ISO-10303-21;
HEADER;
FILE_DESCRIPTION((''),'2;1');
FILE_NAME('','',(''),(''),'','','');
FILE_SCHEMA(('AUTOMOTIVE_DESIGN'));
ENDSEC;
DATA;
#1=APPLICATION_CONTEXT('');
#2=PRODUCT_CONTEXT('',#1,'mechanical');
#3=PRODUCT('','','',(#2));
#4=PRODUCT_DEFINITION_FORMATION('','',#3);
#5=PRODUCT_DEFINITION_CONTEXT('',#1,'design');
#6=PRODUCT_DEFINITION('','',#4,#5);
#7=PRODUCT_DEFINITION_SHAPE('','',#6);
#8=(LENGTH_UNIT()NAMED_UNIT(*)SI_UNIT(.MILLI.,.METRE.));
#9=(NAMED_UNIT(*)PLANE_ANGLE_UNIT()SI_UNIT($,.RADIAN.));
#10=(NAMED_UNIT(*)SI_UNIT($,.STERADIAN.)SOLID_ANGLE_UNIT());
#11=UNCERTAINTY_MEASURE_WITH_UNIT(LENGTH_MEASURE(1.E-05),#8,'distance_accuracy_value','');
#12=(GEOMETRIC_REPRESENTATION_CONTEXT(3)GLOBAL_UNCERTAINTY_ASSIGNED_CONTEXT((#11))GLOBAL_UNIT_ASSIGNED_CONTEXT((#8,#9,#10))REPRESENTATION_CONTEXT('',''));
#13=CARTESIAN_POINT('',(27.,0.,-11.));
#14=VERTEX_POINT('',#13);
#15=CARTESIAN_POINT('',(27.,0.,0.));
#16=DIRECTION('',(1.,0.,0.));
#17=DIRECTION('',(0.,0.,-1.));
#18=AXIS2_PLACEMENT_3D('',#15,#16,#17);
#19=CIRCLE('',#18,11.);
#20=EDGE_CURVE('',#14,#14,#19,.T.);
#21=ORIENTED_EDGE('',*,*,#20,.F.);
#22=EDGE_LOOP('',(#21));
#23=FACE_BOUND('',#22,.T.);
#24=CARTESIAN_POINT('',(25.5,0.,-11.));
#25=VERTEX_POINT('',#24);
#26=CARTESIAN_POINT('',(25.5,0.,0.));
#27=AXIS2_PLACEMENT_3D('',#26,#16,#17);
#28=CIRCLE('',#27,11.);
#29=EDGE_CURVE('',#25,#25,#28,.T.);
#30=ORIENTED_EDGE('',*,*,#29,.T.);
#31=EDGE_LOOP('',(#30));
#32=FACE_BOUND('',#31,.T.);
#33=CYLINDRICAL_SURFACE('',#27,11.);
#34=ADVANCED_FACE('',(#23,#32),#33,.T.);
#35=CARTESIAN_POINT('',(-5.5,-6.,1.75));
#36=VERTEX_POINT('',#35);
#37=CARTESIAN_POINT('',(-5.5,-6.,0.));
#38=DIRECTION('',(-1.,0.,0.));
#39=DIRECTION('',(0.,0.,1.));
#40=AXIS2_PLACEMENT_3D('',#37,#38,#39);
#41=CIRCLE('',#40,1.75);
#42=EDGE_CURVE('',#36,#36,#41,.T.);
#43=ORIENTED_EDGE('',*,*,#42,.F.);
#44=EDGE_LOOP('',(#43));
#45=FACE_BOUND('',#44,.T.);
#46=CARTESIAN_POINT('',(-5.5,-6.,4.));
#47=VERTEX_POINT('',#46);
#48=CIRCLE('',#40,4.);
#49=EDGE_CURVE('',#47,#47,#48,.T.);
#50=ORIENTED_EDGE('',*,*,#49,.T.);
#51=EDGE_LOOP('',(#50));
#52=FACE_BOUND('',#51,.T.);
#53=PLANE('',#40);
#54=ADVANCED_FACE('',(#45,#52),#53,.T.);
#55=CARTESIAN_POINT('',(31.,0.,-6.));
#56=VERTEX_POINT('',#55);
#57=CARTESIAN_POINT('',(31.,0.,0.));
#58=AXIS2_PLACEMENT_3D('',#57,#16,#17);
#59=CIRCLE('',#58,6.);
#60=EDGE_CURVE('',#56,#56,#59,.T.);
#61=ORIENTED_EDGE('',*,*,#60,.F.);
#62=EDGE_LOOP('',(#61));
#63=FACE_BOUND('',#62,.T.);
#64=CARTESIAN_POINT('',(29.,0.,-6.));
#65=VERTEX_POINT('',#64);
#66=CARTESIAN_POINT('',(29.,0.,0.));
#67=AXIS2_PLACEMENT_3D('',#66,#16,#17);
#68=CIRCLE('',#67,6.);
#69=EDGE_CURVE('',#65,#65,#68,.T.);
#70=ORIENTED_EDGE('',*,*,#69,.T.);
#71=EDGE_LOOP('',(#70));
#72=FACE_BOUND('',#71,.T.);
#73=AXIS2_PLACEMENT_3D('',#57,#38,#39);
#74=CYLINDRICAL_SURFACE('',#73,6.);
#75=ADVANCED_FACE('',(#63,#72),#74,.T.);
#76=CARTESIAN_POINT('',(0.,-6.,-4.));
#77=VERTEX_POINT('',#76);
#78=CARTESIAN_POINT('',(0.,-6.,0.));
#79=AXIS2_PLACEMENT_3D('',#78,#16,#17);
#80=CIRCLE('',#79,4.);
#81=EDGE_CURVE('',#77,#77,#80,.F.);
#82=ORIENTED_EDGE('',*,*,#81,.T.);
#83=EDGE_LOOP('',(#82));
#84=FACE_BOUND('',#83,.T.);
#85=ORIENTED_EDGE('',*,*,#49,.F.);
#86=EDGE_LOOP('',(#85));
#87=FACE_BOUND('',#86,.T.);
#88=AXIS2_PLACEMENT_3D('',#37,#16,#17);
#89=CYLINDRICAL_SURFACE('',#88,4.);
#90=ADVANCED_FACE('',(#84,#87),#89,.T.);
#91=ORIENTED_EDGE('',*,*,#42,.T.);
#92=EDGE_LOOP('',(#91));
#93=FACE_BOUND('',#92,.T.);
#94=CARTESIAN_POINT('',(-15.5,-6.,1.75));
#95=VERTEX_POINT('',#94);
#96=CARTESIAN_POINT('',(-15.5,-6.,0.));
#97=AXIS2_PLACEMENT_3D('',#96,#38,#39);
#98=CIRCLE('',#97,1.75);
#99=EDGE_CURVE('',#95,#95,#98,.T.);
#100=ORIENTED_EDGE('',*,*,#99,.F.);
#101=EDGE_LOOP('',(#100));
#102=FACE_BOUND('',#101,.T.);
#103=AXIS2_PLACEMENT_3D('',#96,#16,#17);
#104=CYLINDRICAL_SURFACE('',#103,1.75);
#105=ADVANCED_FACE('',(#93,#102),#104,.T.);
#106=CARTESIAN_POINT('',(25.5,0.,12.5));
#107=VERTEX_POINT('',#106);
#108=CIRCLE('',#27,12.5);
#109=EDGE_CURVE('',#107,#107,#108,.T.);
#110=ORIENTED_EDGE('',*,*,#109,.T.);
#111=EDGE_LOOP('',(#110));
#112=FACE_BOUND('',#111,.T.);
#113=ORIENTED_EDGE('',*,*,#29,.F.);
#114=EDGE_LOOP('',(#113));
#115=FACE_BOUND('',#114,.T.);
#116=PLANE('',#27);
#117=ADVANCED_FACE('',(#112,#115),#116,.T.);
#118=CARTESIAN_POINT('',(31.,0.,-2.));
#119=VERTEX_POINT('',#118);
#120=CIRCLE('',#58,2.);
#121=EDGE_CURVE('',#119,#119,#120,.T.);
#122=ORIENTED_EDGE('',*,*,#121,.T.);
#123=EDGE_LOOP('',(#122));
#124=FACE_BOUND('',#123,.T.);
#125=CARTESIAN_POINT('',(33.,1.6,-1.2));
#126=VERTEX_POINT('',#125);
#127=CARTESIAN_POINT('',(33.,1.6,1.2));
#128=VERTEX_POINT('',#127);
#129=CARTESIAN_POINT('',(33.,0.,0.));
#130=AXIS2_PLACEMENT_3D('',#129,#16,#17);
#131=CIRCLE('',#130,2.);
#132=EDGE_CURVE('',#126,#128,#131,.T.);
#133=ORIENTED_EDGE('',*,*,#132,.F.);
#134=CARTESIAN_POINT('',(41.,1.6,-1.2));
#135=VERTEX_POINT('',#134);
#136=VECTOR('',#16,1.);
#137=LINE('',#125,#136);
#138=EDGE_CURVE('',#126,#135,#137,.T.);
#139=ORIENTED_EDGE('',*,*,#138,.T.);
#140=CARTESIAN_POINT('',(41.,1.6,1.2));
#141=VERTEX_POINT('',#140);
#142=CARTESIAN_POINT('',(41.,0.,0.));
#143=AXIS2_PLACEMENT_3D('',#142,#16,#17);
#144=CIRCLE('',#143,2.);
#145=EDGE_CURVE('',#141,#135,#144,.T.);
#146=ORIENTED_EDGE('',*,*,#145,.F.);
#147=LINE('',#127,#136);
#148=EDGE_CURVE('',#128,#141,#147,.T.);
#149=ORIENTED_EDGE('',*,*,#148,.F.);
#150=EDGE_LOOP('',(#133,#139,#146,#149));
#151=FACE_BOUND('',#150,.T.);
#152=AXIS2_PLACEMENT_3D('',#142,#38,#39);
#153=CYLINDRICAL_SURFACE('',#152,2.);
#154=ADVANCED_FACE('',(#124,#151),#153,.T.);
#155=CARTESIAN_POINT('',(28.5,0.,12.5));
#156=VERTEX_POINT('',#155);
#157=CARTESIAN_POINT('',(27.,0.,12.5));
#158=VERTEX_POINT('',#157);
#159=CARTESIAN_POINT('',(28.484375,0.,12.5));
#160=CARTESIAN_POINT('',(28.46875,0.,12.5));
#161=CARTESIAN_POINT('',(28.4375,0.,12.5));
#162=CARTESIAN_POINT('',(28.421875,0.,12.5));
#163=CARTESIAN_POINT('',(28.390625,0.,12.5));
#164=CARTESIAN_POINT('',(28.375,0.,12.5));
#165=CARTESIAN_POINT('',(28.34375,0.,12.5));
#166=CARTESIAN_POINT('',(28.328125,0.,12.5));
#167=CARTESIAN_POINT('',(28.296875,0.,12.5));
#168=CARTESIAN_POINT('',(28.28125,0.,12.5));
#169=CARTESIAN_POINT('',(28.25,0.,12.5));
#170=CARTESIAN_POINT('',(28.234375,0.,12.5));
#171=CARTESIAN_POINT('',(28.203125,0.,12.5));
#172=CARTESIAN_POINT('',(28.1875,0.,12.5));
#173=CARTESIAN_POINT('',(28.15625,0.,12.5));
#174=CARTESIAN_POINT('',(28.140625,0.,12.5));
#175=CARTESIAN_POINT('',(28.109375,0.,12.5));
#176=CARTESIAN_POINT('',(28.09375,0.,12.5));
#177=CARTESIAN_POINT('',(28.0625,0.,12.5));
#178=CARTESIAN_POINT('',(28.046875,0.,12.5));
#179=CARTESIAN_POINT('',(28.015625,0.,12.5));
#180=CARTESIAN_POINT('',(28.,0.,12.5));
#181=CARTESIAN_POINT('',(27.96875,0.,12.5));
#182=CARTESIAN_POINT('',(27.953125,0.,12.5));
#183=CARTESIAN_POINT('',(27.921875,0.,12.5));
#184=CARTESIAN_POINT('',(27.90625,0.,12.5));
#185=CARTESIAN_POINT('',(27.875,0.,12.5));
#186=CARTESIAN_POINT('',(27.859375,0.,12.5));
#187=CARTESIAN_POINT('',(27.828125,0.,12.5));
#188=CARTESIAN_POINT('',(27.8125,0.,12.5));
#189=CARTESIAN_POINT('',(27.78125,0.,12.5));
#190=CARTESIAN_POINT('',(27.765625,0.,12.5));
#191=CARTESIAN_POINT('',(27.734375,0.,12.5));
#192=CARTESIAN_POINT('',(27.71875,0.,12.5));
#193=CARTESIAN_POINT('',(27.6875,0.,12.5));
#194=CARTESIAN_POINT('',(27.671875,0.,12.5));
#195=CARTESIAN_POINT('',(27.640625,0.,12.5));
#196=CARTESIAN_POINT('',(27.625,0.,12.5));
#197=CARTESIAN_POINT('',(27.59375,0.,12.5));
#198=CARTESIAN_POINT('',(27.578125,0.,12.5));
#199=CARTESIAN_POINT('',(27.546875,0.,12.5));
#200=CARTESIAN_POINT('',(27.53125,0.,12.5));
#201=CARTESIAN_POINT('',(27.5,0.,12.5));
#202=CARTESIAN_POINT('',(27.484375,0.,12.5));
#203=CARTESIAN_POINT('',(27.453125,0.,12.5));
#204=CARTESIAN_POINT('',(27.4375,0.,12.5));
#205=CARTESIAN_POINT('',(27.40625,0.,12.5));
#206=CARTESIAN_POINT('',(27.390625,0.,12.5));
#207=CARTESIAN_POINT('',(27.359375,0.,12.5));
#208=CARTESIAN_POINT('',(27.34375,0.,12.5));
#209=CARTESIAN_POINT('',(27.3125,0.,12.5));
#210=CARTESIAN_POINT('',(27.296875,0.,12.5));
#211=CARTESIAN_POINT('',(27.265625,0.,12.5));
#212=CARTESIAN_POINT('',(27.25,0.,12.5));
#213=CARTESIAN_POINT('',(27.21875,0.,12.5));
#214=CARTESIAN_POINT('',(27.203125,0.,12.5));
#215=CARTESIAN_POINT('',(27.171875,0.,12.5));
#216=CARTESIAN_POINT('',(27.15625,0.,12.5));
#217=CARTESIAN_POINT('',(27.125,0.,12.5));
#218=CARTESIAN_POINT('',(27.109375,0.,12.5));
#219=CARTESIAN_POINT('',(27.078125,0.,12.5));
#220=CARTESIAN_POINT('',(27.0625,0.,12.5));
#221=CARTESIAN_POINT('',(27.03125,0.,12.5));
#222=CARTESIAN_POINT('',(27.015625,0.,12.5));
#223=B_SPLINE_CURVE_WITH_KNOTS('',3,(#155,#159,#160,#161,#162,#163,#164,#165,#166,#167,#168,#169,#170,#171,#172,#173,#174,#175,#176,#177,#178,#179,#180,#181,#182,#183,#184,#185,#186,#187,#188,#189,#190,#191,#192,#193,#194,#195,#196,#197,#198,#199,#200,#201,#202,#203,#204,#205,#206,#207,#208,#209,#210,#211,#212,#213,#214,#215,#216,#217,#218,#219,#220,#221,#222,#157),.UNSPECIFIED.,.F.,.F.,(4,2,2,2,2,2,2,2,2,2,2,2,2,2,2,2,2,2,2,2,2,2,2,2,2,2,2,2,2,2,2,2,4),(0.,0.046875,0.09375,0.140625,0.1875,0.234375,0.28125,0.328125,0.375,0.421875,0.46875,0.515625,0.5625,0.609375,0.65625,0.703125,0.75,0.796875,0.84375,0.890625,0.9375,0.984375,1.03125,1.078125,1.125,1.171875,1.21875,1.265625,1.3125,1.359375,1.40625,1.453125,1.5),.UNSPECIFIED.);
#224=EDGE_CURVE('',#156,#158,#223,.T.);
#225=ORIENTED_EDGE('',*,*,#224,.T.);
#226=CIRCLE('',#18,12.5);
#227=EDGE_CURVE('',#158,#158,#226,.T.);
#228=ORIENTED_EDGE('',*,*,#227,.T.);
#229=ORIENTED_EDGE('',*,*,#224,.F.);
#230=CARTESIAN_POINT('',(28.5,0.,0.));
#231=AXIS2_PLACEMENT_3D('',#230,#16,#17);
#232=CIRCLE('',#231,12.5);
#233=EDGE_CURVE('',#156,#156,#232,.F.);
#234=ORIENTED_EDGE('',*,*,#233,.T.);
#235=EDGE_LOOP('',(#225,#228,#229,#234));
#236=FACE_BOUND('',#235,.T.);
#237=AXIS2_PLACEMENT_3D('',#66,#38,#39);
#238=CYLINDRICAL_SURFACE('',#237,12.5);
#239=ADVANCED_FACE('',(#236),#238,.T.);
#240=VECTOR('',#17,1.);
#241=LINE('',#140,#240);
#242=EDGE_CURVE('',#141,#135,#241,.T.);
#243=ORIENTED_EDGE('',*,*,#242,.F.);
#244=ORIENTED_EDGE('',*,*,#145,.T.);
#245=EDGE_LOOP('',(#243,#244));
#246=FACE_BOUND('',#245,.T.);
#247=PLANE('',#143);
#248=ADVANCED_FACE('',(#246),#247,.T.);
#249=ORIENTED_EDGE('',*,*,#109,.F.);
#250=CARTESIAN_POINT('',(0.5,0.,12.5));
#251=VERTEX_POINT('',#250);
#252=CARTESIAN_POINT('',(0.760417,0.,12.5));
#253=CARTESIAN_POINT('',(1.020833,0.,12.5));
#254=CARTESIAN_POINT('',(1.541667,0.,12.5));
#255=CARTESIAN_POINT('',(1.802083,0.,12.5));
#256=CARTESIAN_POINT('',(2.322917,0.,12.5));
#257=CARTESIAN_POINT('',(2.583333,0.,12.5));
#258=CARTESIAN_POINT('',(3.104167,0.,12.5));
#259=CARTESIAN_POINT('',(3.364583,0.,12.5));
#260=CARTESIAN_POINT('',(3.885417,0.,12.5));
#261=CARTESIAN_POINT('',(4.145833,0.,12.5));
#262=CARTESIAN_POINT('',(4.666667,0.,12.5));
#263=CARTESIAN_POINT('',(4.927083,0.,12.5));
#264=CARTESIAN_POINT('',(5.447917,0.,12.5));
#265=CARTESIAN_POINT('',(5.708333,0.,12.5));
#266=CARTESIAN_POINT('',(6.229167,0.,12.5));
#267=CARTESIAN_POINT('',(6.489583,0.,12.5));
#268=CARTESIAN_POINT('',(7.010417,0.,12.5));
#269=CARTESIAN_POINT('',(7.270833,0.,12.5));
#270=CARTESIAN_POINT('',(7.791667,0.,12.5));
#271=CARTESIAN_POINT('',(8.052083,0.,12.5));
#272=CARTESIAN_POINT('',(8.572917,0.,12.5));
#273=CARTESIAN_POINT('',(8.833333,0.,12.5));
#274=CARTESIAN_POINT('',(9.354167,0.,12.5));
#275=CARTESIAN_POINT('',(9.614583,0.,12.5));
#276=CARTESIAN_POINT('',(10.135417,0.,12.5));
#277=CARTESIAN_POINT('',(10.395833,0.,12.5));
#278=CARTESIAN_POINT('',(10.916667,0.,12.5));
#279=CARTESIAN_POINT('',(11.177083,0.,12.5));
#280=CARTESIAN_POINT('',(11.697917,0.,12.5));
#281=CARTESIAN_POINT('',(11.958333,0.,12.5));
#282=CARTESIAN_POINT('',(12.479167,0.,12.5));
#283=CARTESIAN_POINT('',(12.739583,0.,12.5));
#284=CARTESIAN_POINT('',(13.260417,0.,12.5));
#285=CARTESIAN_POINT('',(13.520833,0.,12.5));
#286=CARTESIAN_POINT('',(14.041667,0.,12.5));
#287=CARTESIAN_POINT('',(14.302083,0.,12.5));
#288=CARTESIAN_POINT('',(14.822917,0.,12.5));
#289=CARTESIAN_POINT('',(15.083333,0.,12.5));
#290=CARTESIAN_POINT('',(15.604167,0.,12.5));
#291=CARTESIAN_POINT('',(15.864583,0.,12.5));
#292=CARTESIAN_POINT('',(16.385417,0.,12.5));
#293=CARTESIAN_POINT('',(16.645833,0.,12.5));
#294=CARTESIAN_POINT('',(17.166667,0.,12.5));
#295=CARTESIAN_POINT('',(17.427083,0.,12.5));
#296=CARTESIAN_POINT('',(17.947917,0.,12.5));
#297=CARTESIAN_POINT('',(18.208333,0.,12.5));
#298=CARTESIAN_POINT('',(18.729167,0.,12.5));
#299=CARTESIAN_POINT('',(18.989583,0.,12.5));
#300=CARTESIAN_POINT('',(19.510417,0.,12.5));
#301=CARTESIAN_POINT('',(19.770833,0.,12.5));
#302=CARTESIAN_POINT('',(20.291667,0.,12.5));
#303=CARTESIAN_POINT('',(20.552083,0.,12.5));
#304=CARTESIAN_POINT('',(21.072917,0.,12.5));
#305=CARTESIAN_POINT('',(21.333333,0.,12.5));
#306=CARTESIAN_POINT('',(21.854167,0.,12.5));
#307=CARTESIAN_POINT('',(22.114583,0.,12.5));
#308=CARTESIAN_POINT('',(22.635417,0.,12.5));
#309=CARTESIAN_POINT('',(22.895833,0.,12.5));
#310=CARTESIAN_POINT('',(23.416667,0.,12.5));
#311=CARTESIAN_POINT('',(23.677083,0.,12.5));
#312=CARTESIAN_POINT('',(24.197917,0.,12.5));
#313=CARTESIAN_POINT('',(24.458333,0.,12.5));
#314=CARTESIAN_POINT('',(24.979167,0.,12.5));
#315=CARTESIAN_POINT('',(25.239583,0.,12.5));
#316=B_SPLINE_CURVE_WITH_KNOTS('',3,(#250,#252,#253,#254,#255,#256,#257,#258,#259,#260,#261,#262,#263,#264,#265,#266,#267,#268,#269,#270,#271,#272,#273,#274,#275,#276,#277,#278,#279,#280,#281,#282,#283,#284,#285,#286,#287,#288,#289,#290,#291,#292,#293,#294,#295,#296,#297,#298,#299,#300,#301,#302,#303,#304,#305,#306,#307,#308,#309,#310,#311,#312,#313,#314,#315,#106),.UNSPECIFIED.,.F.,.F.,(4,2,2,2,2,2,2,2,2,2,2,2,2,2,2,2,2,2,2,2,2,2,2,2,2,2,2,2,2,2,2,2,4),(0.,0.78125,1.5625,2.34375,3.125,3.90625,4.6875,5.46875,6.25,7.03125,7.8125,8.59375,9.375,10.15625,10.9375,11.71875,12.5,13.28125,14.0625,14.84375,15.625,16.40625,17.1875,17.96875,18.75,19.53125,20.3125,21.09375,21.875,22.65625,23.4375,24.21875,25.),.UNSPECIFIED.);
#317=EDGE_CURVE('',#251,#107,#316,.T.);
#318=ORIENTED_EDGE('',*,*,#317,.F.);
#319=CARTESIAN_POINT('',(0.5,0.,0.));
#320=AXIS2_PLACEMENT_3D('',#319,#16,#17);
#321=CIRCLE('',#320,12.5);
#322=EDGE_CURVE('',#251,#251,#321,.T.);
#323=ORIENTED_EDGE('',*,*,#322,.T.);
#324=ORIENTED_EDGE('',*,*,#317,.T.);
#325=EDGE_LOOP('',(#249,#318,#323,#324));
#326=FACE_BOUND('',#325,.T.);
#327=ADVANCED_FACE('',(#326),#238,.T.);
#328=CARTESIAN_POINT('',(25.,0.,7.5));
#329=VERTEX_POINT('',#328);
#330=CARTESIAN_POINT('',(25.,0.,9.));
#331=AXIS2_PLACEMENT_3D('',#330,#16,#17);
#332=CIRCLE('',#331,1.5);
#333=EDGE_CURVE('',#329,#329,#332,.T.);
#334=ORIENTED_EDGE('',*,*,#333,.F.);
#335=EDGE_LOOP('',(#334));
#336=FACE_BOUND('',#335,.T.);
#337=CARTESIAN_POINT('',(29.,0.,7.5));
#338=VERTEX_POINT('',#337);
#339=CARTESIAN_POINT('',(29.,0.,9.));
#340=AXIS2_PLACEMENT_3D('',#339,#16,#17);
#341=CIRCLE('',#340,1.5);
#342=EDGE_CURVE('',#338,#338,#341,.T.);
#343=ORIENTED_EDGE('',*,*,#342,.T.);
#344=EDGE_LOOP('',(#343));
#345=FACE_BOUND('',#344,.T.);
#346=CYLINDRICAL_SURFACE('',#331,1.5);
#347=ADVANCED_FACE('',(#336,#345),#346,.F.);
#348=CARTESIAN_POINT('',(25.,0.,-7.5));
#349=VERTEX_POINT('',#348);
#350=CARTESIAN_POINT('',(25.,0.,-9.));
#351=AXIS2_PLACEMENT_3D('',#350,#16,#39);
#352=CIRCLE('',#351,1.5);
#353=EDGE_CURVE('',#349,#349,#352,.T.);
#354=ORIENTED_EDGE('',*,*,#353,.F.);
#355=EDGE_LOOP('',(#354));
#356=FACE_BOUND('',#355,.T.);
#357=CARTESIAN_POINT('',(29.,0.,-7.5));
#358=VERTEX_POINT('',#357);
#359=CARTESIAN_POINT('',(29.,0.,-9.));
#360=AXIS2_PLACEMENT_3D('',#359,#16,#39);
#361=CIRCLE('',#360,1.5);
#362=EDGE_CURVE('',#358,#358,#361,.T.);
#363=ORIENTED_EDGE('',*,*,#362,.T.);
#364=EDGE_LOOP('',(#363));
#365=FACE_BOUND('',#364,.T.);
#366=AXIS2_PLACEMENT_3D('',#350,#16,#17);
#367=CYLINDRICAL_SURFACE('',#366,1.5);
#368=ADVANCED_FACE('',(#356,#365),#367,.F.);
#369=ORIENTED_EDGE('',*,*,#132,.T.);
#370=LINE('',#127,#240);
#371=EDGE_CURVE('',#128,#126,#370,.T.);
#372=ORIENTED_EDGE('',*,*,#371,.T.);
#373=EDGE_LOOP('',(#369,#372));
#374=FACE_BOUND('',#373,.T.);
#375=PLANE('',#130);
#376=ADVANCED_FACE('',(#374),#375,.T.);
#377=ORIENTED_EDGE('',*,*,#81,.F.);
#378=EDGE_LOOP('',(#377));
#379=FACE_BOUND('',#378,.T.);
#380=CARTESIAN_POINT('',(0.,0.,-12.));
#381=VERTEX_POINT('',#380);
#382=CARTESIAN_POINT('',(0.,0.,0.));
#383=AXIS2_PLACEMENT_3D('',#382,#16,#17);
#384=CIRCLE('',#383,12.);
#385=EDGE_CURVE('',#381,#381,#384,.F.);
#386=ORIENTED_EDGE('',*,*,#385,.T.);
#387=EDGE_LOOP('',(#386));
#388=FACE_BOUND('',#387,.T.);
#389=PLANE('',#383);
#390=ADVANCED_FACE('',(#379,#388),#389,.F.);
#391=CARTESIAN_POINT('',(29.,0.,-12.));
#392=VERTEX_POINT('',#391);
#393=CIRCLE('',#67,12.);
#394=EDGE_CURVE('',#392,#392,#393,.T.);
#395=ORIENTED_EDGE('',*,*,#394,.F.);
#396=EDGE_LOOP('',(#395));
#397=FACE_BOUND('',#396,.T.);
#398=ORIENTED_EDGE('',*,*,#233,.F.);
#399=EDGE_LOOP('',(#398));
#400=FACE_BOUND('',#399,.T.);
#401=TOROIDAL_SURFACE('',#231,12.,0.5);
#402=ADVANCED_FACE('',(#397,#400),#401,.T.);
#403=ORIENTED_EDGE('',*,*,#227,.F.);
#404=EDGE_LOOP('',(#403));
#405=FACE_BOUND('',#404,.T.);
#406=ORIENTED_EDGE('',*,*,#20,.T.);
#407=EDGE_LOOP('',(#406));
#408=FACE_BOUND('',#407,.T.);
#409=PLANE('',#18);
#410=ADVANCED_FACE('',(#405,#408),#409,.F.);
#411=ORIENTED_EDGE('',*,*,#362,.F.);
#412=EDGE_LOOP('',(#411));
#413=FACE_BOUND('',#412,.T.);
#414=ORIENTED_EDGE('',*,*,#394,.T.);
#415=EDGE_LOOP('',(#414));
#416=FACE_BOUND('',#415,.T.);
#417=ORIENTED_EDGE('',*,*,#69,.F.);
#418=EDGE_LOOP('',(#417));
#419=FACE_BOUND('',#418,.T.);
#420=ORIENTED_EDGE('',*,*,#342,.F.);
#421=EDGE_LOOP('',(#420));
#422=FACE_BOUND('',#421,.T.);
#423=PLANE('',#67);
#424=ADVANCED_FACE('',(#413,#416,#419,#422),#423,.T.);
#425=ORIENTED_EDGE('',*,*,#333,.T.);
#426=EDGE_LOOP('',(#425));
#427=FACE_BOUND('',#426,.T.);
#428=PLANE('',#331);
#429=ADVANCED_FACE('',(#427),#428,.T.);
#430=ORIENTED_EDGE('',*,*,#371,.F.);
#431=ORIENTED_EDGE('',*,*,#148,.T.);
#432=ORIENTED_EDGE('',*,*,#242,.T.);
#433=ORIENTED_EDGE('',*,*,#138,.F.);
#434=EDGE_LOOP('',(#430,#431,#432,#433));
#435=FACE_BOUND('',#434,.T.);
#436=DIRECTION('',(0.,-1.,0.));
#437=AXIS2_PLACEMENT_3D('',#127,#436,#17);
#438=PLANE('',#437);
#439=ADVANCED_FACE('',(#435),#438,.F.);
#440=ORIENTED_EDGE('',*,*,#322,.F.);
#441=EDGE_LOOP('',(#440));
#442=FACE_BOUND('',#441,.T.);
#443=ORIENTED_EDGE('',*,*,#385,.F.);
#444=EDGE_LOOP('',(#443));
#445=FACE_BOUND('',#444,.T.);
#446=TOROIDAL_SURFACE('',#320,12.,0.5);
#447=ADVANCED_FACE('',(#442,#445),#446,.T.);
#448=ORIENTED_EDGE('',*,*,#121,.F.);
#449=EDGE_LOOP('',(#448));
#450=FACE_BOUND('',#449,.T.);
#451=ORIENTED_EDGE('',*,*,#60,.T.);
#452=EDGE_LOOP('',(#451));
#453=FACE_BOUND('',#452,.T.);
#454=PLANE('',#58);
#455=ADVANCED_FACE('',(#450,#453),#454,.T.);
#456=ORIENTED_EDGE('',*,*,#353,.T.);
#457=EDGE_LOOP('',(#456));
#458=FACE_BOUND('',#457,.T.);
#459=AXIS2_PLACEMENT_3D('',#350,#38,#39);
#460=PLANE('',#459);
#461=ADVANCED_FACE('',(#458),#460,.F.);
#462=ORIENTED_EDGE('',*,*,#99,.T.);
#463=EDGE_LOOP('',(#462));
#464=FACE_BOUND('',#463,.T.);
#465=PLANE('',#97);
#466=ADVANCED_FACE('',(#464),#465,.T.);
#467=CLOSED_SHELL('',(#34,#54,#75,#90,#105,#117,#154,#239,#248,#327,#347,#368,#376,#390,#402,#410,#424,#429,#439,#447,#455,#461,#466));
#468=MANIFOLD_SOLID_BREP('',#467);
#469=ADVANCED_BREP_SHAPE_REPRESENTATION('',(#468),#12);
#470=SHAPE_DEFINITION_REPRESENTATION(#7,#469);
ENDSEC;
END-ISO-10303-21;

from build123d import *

# Parameters (mm, degrees)
SKETCH_1_R          = 12.5
EXTRUDE_1_DEPTH     = 29
CUT_EXTRUDE_START   = -1.5
SKETCH_2_R          = 12.5
SKETCH_2_R_2        = 11
CUT_EXTRUDE_1_DEPTH = 1.5
FILLET_1_R          = 0.5
SKETCH_3_R          = 6
EXTRUDE_2_DEPTH     = 2
SKETCH_4_R          = 2
EXTRUDE_3_DEPTH     = 10
CUT_EXTRUDE_START_2 = -8
CUT_EXTRUDE_2_DEPTH = 8
SKETCH_6_R          = 4
EXTRUDE_4_DEPTH     = 5.5
SKETCH_7_R          = 1.75
EXTRUDE_5_DEPTH     = 10
SKETCH_8_R          = 1.5
CUT_EXTRUDE_3_DEPTH = 4


with BuildPart() as part:
    # ｽｹｯﾁ1 → ﾎﾞｽ - 押し出し1 (new body)
    with BuildSketch(Plane(origin=(0, 0, 0), x_dir=(0, 0, -1), z_dir=(1, 0, 0))):
        with Locations(Location((0, 0, 0), (0, 0, 180))):
            Circle(SKETCH_1_R)
    extrude(amount=EXTRUDE_1_DEPTH)

    # ｽｹｯﾁ2 → ｶｯﾄ - 押し出し1 (cut)
    with BuildSketch(Plane(origin=(27, 0, 0), x_dir=(0, 0, -1), z_dir=(1, 0, 0)).offset(CUT_EXTRUDE_START)):
        with Locations(Location((0, 0, 0), (0, 0, 180))):
            Circle(SKETCH_2_R)
        Circle(SKETCH_2_R_2, mode=Mode.SUBTRACT)
    extrude(amount=CUT_EXTRUDE_1_DEPTH, mode=Mode.SUBTRACT)

    # ﾌｨﾚｯﾄ1
    fillet_1_edges = [part.edges().sort_by_distance(p)[0] for p in [
        (0, 0, -12.5),
        (29, 0, -12.5),
    ]]
    fillet(fillet_1_edges, radius=FILLET_1_R)

    # ｽｹｯﾁ3 → ﾎﾞｽ - 押し出し2 (add)
    with BuildSketch(Plane(origin=(29, 0, 0), x_dir=(0, 0, -1), z_dir=(1, 0, 0))):
        Circle(SKETCH_3_R)
    extrude(amount=EXTRUDE_2_DEPTH)

    # ｽｹｯﾁ4 → ﾎﾞｽ - 押し出し3 (add)
    with BuildSketch(Plane(origin=(31, 0, 0), x_dir=(0, 0, -1), z_dir=(1, 0, 0))):
        Circle(SKETCH_4_R)
    extrude(amount=EXTRUDE_3_DEPTH)

    # ｽｹｯﾁ5 → ｶｯﾄ - 押し出し2 (cut)
    with BuildSketch(Plane(origin=(41, 0, 0), x_dir=(0, 0, -1), z_dir=(1, 0, 0)).offset(CUT_EXTRUDE_START_2)):
        with BuildLine():
            Line((-1.2, 1.6), (1.2, 1.6))
            ThreePointArc((1.2, 1.6), (0, 2), (-1.2, 1.6))
        make_face()
    extrude(amount=CUT_EXTRUDE_2_DEPTH, mode=Mode.SUBTRACT)

    # ｽｹｯﾁ6 → ﾎﾞｽ - 押し出し4 (add)
    with BuildSketch(Plane.ZY):
        with Locations(Location((0, -6, 0), (0, 0, 180))):
            Circle(SKETCH_6_R)
    extrude(amount=EXTRUDE_4_DEPTH)

    # ｽｹｯﾁ7 → ﾎﾞｽ - 押し出し5 (add)
    with BuildSketch(Plane.ZY.offset(5.5)):
        with Locations((0, -6)):
            Circle(SKETCH_7_R)
    extrude(amount=EXTRUDE_5_DEPTH)

    # ｽｹｯﾁ8 → ｶｯﾄ - 押し出し3 (cut)
    with BuildSketch(Plane(origin=(29, 0, 0), x_dir=(0, 0, -1), z_dir=(1, 0, 0))):
        with Locations((-9, 0)):
            Circle(SKETCH_8_R)
        with Locations(Location((9, 0, 0), (0, 0, 180))):
            Circle(SKETCH_8_R)
    extrude(amount=-CUT_EXTRUDE_3_DEPTH, mode=Mode.SUBTRACT)


solid = part.part
